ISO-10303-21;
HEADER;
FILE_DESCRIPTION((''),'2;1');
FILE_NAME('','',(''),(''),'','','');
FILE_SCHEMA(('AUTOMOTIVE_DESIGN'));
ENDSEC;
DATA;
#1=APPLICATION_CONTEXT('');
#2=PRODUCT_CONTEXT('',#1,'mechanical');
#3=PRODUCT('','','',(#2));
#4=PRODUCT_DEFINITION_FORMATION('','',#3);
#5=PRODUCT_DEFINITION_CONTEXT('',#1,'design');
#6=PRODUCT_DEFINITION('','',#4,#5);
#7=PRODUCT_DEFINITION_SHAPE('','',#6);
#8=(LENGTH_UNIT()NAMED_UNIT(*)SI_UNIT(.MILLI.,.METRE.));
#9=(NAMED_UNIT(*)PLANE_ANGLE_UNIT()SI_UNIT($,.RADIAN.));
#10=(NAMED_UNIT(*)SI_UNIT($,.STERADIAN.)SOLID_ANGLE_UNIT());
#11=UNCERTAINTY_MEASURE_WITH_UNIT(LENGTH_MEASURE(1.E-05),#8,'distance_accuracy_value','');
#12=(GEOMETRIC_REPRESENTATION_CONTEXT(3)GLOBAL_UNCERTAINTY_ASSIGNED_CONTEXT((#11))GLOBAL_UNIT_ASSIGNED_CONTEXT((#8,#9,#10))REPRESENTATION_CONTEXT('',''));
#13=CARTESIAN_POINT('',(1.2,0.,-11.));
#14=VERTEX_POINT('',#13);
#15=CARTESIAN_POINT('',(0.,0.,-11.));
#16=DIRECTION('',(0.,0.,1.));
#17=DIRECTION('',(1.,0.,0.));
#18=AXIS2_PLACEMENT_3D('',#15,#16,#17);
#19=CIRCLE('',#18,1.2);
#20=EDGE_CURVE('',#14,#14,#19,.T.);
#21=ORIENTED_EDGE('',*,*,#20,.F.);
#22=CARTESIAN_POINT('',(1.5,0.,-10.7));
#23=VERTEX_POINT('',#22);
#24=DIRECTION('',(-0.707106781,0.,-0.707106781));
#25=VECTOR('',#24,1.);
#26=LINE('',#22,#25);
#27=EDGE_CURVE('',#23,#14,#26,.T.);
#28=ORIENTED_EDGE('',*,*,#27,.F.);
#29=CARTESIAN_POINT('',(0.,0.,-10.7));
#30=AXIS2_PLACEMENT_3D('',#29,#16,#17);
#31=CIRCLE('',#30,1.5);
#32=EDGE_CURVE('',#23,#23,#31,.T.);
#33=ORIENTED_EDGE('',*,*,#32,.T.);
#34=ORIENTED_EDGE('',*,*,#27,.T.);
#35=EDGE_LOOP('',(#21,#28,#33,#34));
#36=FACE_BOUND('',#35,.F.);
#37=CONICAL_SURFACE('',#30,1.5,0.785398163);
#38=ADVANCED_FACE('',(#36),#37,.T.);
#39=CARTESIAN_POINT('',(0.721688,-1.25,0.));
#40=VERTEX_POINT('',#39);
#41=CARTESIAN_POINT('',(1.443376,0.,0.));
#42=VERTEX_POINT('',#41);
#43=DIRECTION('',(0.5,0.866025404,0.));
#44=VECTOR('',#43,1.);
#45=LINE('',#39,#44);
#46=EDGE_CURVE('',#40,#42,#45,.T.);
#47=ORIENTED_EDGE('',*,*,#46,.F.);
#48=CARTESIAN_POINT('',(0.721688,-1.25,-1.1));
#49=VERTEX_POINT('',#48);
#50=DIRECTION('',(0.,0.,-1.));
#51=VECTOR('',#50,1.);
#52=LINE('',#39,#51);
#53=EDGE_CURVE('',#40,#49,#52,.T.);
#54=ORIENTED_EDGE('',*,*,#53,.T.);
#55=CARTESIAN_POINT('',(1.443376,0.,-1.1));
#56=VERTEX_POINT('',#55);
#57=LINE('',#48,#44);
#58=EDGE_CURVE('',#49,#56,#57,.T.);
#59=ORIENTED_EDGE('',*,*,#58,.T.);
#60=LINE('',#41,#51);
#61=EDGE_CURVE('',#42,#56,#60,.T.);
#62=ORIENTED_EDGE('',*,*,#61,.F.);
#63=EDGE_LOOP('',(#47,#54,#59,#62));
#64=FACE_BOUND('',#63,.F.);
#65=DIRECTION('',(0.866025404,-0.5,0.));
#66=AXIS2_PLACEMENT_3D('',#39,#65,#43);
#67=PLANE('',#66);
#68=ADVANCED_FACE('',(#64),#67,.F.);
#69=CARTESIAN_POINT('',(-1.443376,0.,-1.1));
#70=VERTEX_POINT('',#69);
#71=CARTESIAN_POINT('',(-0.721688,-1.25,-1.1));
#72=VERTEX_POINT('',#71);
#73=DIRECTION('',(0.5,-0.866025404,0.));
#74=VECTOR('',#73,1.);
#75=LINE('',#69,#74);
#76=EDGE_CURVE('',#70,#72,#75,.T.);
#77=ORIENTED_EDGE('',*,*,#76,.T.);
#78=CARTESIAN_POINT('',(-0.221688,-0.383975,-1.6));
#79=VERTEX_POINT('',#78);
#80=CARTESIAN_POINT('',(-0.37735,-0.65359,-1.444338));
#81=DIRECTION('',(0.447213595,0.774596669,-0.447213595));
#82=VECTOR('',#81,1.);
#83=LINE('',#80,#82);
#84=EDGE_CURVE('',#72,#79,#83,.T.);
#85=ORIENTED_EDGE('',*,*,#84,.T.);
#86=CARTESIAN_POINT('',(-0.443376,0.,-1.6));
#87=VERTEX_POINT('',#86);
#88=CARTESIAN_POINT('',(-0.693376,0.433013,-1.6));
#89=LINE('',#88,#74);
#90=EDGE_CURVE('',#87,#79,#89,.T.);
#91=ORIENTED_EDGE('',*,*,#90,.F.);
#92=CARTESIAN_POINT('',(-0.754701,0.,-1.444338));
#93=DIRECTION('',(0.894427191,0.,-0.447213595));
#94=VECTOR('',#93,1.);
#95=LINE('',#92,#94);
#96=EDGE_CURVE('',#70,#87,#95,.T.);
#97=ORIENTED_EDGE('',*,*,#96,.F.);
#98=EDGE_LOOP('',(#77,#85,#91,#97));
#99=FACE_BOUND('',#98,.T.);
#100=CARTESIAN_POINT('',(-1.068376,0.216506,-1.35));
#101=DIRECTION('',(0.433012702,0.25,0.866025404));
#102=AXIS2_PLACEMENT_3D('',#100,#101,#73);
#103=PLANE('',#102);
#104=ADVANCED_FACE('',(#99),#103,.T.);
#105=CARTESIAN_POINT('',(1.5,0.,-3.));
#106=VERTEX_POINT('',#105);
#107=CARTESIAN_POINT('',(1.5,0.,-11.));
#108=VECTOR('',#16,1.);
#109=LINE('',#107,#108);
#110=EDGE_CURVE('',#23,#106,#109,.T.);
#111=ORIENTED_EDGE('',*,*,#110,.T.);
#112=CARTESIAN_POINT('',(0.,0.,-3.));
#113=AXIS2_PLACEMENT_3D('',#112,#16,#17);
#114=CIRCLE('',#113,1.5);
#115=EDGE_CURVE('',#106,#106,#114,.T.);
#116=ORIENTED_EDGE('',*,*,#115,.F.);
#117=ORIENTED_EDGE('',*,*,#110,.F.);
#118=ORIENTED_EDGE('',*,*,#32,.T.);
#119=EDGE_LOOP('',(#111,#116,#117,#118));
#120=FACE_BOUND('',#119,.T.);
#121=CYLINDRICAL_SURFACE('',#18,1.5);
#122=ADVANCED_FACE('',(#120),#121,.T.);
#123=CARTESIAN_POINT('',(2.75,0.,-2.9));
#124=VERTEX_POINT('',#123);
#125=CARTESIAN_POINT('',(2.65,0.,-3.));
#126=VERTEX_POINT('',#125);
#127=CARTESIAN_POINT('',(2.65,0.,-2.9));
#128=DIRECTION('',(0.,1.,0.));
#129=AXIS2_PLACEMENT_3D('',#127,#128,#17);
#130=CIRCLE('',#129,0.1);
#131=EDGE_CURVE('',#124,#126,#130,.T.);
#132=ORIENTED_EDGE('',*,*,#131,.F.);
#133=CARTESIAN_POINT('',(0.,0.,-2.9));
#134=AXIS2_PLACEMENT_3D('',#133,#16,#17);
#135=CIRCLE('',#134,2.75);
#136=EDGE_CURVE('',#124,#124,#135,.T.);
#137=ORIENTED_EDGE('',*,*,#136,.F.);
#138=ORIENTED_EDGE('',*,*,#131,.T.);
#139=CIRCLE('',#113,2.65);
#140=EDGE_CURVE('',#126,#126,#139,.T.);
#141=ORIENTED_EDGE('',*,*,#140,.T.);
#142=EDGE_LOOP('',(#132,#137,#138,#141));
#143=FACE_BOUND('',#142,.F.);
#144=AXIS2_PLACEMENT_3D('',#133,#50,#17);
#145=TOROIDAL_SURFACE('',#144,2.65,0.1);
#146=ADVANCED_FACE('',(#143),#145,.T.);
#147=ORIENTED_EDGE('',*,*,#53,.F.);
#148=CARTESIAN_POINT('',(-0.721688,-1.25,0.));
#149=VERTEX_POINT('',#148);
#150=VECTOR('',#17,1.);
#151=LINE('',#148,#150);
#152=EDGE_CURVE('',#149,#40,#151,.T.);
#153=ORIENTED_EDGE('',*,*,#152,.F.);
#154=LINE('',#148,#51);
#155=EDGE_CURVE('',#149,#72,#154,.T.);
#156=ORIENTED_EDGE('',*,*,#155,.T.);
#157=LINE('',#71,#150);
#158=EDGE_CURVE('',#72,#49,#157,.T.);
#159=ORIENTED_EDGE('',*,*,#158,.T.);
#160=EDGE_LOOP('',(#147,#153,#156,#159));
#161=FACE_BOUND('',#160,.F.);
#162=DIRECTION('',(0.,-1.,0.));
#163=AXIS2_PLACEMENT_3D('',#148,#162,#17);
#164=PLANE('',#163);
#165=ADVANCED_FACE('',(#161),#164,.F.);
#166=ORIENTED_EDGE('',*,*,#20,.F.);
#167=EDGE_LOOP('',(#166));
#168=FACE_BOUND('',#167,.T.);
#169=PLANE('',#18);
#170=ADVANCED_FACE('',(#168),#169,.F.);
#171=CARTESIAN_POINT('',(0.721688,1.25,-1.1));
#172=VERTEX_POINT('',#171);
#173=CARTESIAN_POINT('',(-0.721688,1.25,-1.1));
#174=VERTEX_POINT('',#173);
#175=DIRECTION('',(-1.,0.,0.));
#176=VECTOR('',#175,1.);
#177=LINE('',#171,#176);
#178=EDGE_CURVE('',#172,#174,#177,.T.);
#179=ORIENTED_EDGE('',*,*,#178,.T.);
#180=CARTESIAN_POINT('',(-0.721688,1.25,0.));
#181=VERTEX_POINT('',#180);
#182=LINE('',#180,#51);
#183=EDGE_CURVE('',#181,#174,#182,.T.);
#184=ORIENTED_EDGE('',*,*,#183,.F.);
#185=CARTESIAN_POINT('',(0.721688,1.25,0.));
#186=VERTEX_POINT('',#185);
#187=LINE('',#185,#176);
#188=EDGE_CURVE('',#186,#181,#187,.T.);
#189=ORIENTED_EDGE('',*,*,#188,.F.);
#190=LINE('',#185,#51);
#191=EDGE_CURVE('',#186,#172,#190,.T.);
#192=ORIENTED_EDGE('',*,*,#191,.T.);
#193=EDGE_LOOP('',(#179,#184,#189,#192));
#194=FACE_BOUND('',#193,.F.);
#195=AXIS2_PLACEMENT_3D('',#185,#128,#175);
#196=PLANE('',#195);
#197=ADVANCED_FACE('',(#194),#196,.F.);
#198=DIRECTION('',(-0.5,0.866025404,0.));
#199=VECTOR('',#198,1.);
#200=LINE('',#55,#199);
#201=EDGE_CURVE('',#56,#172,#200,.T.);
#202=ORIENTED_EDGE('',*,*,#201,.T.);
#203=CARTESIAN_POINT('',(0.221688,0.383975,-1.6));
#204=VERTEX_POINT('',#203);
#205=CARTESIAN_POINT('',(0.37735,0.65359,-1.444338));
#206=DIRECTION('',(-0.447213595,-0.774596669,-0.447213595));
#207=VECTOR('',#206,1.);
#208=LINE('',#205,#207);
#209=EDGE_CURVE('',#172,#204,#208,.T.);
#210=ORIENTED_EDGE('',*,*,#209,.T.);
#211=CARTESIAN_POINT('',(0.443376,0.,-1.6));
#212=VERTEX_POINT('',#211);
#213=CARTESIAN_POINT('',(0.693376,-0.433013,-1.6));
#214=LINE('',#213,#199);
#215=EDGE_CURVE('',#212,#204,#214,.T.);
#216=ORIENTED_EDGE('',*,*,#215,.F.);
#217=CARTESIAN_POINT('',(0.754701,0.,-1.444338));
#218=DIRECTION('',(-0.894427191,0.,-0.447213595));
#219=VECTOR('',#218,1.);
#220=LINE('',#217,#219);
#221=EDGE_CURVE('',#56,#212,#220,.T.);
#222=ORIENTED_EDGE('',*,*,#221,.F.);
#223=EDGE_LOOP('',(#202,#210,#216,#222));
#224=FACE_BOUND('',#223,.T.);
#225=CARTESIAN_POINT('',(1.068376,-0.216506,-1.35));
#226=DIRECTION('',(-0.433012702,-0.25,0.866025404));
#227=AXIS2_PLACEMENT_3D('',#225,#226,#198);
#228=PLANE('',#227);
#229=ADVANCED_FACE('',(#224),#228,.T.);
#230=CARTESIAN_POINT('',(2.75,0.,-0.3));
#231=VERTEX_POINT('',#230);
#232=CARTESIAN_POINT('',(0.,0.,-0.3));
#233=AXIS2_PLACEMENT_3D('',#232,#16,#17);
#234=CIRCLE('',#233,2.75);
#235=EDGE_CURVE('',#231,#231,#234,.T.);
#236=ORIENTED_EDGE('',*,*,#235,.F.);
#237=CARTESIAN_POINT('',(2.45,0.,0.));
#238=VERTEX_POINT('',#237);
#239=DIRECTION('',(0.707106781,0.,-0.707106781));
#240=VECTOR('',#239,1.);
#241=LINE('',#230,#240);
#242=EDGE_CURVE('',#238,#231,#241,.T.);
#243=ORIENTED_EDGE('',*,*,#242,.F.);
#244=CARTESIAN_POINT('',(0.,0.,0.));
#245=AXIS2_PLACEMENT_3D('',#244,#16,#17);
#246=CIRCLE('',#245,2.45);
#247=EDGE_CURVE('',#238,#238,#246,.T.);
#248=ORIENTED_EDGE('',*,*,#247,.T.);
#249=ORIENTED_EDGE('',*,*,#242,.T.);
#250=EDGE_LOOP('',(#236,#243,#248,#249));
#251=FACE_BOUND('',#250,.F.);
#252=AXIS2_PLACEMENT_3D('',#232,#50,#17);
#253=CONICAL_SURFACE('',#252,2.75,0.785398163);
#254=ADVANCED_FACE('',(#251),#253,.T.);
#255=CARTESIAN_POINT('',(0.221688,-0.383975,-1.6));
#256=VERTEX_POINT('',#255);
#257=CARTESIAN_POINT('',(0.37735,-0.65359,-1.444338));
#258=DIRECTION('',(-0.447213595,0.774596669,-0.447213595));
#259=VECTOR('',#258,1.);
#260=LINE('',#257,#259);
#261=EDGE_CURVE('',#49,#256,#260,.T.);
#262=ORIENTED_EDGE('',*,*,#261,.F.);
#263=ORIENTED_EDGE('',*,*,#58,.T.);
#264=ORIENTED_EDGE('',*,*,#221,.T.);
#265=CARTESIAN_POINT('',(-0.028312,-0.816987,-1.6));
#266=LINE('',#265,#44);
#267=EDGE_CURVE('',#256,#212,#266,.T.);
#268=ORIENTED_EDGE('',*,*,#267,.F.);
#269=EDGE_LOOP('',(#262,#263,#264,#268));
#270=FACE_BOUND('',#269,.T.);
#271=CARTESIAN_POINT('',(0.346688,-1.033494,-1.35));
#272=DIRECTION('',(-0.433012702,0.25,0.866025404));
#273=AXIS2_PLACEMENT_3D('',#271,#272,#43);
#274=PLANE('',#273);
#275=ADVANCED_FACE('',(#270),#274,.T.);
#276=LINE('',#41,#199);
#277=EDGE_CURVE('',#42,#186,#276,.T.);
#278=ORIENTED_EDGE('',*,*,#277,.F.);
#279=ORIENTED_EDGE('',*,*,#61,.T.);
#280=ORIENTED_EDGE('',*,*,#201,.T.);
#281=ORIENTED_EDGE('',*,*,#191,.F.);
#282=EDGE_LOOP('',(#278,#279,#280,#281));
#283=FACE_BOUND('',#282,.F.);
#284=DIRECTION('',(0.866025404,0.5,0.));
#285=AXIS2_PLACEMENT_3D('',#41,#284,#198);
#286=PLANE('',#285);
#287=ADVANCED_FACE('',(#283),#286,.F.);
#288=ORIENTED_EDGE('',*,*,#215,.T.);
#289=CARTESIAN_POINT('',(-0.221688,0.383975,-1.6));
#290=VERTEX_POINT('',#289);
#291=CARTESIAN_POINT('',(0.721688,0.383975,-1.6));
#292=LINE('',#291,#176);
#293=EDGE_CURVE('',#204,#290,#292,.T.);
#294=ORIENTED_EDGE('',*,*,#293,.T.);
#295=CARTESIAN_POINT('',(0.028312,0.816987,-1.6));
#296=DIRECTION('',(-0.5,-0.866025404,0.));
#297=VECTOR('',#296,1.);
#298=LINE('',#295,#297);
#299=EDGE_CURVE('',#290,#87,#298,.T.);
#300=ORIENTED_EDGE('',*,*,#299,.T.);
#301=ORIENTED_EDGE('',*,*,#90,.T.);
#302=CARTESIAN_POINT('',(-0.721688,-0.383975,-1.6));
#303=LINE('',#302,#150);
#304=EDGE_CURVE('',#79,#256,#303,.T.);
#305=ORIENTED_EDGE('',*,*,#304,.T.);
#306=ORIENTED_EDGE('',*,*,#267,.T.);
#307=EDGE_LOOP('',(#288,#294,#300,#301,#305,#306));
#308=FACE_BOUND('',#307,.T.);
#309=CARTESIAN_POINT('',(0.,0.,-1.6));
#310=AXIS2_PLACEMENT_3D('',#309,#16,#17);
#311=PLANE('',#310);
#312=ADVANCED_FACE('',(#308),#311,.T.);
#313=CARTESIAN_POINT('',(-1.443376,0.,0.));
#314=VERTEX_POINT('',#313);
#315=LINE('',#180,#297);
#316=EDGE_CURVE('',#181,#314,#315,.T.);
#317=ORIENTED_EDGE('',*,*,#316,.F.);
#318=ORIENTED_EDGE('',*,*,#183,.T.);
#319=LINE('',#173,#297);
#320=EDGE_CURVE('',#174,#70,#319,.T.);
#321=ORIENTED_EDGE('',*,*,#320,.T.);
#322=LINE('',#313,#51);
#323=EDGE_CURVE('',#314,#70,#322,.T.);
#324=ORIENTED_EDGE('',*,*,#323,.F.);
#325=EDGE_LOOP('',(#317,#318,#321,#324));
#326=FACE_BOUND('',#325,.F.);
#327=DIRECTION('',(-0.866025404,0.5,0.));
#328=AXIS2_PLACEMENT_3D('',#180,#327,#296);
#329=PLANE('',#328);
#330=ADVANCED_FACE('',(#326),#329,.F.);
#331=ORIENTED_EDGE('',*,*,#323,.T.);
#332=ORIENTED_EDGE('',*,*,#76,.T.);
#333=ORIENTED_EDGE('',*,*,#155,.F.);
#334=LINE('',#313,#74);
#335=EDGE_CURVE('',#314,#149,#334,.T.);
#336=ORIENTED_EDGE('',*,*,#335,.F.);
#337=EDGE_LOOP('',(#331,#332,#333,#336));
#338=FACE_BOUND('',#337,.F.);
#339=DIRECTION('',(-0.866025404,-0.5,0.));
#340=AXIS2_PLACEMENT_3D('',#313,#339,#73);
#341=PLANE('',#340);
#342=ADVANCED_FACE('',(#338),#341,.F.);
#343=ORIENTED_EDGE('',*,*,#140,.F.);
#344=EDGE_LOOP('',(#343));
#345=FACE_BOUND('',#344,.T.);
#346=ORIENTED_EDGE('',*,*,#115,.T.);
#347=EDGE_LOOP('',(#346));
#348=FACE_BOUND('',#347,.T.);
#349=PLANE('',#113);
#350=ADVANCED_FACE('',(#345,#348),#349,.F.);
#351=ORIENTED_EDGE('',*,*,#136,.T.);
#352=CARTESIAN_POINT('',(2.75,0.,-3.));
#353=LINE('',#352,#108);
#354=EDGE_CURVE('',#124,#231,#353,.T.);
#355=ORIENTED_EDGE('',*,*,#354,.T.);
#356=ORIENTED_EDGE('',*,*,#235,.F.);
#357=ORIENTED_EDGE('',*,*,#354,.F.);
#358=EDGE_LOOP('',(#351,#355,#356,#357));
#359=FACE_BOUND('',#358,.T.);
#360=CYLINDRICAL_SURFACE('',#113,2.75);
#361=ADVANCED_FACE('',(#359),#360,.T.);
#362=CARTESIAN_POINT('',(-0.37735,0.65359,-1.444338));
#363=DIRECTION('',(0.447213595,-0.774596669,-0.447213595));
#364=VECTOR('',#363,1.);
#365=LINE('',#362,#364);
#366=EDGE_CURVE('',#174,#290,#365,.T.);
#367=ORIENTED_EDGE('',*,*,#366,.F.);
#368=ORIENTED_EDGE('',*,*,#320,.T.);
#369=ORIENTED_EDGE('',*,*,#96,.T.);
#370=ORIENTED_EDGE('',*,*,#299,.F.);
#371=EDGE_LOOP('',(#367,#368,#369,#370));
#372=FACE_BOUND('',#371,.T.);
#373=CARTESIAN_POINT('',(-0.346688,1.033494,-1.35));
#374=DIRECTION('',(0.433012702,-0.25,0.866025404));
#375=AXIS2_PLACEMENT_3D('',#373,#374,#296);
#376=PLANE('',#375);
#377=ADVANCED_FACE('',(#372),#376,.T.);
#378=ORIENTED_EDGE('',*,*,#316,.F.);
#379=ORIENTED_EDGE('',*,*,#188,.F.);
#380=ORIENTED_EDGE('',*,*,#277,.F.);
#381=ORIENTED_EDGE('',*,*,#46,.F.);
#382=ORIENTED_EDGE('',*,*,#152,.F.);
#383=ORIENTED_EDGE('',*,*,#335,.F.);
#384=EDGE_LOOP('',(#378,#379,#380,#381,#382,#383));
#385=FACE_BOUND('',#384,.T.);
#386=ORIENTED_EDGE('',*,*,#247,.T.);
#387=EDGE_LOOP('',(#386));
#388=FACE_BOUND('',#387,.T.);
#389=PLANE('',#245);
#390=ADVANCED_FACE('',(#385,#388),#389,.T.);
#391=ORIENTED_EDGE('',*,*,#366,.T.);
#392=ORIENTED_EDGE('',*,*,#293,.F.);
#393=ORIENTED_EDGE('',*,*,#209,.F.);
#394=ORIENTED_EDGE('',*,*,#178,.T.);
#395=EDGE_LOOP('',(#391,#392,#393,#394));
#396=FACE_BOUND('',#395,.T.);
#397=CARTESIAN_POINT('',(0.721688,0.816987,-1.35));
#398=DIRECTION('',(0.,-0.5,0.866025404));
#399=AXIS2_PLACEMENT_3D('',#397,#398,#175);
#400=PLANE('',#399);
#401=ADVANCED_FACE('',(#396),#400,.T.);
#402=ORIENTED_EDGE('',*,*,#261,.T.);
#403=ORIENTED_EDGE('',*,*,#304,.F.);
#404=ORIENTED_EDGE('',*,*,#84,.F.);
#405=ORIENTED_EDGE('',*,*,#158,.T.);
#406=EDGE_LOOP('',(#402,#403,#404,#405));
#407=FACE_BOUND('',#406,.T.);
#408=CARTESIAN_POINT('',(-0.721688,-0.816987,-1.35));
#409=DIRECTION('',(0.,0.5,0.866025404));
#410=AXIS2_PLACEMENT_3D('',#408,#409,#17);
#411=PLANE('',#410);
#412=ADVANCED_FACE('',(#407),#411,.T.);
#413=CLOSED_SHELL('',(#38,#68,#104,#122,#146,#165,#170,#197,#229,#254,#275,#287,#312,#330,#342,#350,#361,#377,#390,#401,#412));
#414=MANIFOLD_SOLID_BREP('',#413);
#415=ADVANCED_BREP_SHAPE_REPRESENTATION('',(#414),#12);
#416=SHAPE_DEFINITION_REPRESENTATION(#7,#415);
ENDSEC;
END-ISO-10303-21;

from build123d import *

# Parameters (mm, degrees)
F3_DEPTH = 1.6
F4_SIZE2 = 0.8660254038
F4_SIZE  = 0.5
F5_SIZE  = 0.3
F6_R     = 0.1


with BuildPart() as f1:
    # F0 (on Front) → F1 (revolve)
    with BuildSketch(Plane.XZ):
        Polygon((2.75, 0), (0, 0), (0, -11), (1.5, -11), (1.5, -3), (2.75, -3), align=None)
    revolve(axis=Axis((0, 0, -5.5), (0, 0, 1)))

    # F2 (on face) → F3 (cut)
    with BuildSketch(Plane.XY):
        Polygon((0.7216878365, 1.25), (-0.7216878365, 1.25), (-1.443375673, 0), (-0.7216878365, -1.25), (0.7216878365, -1.25), (1.443375673, 0), align=None)
    extrude(amount=-F3_DEPTH, mode=Mode.SUBTRACT)

    # F4
    f4_edges = [f1.edges().sort_by_distance(p)[0] for p in [
        (0, 1.25, -1.6),
        (-1.082532, 0.625, -1.6),
        (-1.082532, -0.625, -1.6),
        (0, -1.25, -1.6),
        (1.082532, -0.625, -1.6),
        (1.082532, 0.625, -1.6),
    ]]
    chamfer(f4_edges, length=F4_SIZE, length2=F4_SIZE2)

    # F5
    f5_edges = [f1.edges().sort_by_distance(p)[0] for p in [
        (-2.75, 0, 0),
        (-1.5, 0, -11),
    ]]
    chamfer(f5_edges, length=F5_SIZE)

    # F6
    f6_edges = [f1.edges().sort_by_distance(p)[0] for p in [
        (-2.75, 0, -3),
    ]]
    fillet(f6_edges, radius=F6_R)


with BuildPart() as f7_1:
    # F7: copy of F1
    add(f1.part)


solid = f1.part
